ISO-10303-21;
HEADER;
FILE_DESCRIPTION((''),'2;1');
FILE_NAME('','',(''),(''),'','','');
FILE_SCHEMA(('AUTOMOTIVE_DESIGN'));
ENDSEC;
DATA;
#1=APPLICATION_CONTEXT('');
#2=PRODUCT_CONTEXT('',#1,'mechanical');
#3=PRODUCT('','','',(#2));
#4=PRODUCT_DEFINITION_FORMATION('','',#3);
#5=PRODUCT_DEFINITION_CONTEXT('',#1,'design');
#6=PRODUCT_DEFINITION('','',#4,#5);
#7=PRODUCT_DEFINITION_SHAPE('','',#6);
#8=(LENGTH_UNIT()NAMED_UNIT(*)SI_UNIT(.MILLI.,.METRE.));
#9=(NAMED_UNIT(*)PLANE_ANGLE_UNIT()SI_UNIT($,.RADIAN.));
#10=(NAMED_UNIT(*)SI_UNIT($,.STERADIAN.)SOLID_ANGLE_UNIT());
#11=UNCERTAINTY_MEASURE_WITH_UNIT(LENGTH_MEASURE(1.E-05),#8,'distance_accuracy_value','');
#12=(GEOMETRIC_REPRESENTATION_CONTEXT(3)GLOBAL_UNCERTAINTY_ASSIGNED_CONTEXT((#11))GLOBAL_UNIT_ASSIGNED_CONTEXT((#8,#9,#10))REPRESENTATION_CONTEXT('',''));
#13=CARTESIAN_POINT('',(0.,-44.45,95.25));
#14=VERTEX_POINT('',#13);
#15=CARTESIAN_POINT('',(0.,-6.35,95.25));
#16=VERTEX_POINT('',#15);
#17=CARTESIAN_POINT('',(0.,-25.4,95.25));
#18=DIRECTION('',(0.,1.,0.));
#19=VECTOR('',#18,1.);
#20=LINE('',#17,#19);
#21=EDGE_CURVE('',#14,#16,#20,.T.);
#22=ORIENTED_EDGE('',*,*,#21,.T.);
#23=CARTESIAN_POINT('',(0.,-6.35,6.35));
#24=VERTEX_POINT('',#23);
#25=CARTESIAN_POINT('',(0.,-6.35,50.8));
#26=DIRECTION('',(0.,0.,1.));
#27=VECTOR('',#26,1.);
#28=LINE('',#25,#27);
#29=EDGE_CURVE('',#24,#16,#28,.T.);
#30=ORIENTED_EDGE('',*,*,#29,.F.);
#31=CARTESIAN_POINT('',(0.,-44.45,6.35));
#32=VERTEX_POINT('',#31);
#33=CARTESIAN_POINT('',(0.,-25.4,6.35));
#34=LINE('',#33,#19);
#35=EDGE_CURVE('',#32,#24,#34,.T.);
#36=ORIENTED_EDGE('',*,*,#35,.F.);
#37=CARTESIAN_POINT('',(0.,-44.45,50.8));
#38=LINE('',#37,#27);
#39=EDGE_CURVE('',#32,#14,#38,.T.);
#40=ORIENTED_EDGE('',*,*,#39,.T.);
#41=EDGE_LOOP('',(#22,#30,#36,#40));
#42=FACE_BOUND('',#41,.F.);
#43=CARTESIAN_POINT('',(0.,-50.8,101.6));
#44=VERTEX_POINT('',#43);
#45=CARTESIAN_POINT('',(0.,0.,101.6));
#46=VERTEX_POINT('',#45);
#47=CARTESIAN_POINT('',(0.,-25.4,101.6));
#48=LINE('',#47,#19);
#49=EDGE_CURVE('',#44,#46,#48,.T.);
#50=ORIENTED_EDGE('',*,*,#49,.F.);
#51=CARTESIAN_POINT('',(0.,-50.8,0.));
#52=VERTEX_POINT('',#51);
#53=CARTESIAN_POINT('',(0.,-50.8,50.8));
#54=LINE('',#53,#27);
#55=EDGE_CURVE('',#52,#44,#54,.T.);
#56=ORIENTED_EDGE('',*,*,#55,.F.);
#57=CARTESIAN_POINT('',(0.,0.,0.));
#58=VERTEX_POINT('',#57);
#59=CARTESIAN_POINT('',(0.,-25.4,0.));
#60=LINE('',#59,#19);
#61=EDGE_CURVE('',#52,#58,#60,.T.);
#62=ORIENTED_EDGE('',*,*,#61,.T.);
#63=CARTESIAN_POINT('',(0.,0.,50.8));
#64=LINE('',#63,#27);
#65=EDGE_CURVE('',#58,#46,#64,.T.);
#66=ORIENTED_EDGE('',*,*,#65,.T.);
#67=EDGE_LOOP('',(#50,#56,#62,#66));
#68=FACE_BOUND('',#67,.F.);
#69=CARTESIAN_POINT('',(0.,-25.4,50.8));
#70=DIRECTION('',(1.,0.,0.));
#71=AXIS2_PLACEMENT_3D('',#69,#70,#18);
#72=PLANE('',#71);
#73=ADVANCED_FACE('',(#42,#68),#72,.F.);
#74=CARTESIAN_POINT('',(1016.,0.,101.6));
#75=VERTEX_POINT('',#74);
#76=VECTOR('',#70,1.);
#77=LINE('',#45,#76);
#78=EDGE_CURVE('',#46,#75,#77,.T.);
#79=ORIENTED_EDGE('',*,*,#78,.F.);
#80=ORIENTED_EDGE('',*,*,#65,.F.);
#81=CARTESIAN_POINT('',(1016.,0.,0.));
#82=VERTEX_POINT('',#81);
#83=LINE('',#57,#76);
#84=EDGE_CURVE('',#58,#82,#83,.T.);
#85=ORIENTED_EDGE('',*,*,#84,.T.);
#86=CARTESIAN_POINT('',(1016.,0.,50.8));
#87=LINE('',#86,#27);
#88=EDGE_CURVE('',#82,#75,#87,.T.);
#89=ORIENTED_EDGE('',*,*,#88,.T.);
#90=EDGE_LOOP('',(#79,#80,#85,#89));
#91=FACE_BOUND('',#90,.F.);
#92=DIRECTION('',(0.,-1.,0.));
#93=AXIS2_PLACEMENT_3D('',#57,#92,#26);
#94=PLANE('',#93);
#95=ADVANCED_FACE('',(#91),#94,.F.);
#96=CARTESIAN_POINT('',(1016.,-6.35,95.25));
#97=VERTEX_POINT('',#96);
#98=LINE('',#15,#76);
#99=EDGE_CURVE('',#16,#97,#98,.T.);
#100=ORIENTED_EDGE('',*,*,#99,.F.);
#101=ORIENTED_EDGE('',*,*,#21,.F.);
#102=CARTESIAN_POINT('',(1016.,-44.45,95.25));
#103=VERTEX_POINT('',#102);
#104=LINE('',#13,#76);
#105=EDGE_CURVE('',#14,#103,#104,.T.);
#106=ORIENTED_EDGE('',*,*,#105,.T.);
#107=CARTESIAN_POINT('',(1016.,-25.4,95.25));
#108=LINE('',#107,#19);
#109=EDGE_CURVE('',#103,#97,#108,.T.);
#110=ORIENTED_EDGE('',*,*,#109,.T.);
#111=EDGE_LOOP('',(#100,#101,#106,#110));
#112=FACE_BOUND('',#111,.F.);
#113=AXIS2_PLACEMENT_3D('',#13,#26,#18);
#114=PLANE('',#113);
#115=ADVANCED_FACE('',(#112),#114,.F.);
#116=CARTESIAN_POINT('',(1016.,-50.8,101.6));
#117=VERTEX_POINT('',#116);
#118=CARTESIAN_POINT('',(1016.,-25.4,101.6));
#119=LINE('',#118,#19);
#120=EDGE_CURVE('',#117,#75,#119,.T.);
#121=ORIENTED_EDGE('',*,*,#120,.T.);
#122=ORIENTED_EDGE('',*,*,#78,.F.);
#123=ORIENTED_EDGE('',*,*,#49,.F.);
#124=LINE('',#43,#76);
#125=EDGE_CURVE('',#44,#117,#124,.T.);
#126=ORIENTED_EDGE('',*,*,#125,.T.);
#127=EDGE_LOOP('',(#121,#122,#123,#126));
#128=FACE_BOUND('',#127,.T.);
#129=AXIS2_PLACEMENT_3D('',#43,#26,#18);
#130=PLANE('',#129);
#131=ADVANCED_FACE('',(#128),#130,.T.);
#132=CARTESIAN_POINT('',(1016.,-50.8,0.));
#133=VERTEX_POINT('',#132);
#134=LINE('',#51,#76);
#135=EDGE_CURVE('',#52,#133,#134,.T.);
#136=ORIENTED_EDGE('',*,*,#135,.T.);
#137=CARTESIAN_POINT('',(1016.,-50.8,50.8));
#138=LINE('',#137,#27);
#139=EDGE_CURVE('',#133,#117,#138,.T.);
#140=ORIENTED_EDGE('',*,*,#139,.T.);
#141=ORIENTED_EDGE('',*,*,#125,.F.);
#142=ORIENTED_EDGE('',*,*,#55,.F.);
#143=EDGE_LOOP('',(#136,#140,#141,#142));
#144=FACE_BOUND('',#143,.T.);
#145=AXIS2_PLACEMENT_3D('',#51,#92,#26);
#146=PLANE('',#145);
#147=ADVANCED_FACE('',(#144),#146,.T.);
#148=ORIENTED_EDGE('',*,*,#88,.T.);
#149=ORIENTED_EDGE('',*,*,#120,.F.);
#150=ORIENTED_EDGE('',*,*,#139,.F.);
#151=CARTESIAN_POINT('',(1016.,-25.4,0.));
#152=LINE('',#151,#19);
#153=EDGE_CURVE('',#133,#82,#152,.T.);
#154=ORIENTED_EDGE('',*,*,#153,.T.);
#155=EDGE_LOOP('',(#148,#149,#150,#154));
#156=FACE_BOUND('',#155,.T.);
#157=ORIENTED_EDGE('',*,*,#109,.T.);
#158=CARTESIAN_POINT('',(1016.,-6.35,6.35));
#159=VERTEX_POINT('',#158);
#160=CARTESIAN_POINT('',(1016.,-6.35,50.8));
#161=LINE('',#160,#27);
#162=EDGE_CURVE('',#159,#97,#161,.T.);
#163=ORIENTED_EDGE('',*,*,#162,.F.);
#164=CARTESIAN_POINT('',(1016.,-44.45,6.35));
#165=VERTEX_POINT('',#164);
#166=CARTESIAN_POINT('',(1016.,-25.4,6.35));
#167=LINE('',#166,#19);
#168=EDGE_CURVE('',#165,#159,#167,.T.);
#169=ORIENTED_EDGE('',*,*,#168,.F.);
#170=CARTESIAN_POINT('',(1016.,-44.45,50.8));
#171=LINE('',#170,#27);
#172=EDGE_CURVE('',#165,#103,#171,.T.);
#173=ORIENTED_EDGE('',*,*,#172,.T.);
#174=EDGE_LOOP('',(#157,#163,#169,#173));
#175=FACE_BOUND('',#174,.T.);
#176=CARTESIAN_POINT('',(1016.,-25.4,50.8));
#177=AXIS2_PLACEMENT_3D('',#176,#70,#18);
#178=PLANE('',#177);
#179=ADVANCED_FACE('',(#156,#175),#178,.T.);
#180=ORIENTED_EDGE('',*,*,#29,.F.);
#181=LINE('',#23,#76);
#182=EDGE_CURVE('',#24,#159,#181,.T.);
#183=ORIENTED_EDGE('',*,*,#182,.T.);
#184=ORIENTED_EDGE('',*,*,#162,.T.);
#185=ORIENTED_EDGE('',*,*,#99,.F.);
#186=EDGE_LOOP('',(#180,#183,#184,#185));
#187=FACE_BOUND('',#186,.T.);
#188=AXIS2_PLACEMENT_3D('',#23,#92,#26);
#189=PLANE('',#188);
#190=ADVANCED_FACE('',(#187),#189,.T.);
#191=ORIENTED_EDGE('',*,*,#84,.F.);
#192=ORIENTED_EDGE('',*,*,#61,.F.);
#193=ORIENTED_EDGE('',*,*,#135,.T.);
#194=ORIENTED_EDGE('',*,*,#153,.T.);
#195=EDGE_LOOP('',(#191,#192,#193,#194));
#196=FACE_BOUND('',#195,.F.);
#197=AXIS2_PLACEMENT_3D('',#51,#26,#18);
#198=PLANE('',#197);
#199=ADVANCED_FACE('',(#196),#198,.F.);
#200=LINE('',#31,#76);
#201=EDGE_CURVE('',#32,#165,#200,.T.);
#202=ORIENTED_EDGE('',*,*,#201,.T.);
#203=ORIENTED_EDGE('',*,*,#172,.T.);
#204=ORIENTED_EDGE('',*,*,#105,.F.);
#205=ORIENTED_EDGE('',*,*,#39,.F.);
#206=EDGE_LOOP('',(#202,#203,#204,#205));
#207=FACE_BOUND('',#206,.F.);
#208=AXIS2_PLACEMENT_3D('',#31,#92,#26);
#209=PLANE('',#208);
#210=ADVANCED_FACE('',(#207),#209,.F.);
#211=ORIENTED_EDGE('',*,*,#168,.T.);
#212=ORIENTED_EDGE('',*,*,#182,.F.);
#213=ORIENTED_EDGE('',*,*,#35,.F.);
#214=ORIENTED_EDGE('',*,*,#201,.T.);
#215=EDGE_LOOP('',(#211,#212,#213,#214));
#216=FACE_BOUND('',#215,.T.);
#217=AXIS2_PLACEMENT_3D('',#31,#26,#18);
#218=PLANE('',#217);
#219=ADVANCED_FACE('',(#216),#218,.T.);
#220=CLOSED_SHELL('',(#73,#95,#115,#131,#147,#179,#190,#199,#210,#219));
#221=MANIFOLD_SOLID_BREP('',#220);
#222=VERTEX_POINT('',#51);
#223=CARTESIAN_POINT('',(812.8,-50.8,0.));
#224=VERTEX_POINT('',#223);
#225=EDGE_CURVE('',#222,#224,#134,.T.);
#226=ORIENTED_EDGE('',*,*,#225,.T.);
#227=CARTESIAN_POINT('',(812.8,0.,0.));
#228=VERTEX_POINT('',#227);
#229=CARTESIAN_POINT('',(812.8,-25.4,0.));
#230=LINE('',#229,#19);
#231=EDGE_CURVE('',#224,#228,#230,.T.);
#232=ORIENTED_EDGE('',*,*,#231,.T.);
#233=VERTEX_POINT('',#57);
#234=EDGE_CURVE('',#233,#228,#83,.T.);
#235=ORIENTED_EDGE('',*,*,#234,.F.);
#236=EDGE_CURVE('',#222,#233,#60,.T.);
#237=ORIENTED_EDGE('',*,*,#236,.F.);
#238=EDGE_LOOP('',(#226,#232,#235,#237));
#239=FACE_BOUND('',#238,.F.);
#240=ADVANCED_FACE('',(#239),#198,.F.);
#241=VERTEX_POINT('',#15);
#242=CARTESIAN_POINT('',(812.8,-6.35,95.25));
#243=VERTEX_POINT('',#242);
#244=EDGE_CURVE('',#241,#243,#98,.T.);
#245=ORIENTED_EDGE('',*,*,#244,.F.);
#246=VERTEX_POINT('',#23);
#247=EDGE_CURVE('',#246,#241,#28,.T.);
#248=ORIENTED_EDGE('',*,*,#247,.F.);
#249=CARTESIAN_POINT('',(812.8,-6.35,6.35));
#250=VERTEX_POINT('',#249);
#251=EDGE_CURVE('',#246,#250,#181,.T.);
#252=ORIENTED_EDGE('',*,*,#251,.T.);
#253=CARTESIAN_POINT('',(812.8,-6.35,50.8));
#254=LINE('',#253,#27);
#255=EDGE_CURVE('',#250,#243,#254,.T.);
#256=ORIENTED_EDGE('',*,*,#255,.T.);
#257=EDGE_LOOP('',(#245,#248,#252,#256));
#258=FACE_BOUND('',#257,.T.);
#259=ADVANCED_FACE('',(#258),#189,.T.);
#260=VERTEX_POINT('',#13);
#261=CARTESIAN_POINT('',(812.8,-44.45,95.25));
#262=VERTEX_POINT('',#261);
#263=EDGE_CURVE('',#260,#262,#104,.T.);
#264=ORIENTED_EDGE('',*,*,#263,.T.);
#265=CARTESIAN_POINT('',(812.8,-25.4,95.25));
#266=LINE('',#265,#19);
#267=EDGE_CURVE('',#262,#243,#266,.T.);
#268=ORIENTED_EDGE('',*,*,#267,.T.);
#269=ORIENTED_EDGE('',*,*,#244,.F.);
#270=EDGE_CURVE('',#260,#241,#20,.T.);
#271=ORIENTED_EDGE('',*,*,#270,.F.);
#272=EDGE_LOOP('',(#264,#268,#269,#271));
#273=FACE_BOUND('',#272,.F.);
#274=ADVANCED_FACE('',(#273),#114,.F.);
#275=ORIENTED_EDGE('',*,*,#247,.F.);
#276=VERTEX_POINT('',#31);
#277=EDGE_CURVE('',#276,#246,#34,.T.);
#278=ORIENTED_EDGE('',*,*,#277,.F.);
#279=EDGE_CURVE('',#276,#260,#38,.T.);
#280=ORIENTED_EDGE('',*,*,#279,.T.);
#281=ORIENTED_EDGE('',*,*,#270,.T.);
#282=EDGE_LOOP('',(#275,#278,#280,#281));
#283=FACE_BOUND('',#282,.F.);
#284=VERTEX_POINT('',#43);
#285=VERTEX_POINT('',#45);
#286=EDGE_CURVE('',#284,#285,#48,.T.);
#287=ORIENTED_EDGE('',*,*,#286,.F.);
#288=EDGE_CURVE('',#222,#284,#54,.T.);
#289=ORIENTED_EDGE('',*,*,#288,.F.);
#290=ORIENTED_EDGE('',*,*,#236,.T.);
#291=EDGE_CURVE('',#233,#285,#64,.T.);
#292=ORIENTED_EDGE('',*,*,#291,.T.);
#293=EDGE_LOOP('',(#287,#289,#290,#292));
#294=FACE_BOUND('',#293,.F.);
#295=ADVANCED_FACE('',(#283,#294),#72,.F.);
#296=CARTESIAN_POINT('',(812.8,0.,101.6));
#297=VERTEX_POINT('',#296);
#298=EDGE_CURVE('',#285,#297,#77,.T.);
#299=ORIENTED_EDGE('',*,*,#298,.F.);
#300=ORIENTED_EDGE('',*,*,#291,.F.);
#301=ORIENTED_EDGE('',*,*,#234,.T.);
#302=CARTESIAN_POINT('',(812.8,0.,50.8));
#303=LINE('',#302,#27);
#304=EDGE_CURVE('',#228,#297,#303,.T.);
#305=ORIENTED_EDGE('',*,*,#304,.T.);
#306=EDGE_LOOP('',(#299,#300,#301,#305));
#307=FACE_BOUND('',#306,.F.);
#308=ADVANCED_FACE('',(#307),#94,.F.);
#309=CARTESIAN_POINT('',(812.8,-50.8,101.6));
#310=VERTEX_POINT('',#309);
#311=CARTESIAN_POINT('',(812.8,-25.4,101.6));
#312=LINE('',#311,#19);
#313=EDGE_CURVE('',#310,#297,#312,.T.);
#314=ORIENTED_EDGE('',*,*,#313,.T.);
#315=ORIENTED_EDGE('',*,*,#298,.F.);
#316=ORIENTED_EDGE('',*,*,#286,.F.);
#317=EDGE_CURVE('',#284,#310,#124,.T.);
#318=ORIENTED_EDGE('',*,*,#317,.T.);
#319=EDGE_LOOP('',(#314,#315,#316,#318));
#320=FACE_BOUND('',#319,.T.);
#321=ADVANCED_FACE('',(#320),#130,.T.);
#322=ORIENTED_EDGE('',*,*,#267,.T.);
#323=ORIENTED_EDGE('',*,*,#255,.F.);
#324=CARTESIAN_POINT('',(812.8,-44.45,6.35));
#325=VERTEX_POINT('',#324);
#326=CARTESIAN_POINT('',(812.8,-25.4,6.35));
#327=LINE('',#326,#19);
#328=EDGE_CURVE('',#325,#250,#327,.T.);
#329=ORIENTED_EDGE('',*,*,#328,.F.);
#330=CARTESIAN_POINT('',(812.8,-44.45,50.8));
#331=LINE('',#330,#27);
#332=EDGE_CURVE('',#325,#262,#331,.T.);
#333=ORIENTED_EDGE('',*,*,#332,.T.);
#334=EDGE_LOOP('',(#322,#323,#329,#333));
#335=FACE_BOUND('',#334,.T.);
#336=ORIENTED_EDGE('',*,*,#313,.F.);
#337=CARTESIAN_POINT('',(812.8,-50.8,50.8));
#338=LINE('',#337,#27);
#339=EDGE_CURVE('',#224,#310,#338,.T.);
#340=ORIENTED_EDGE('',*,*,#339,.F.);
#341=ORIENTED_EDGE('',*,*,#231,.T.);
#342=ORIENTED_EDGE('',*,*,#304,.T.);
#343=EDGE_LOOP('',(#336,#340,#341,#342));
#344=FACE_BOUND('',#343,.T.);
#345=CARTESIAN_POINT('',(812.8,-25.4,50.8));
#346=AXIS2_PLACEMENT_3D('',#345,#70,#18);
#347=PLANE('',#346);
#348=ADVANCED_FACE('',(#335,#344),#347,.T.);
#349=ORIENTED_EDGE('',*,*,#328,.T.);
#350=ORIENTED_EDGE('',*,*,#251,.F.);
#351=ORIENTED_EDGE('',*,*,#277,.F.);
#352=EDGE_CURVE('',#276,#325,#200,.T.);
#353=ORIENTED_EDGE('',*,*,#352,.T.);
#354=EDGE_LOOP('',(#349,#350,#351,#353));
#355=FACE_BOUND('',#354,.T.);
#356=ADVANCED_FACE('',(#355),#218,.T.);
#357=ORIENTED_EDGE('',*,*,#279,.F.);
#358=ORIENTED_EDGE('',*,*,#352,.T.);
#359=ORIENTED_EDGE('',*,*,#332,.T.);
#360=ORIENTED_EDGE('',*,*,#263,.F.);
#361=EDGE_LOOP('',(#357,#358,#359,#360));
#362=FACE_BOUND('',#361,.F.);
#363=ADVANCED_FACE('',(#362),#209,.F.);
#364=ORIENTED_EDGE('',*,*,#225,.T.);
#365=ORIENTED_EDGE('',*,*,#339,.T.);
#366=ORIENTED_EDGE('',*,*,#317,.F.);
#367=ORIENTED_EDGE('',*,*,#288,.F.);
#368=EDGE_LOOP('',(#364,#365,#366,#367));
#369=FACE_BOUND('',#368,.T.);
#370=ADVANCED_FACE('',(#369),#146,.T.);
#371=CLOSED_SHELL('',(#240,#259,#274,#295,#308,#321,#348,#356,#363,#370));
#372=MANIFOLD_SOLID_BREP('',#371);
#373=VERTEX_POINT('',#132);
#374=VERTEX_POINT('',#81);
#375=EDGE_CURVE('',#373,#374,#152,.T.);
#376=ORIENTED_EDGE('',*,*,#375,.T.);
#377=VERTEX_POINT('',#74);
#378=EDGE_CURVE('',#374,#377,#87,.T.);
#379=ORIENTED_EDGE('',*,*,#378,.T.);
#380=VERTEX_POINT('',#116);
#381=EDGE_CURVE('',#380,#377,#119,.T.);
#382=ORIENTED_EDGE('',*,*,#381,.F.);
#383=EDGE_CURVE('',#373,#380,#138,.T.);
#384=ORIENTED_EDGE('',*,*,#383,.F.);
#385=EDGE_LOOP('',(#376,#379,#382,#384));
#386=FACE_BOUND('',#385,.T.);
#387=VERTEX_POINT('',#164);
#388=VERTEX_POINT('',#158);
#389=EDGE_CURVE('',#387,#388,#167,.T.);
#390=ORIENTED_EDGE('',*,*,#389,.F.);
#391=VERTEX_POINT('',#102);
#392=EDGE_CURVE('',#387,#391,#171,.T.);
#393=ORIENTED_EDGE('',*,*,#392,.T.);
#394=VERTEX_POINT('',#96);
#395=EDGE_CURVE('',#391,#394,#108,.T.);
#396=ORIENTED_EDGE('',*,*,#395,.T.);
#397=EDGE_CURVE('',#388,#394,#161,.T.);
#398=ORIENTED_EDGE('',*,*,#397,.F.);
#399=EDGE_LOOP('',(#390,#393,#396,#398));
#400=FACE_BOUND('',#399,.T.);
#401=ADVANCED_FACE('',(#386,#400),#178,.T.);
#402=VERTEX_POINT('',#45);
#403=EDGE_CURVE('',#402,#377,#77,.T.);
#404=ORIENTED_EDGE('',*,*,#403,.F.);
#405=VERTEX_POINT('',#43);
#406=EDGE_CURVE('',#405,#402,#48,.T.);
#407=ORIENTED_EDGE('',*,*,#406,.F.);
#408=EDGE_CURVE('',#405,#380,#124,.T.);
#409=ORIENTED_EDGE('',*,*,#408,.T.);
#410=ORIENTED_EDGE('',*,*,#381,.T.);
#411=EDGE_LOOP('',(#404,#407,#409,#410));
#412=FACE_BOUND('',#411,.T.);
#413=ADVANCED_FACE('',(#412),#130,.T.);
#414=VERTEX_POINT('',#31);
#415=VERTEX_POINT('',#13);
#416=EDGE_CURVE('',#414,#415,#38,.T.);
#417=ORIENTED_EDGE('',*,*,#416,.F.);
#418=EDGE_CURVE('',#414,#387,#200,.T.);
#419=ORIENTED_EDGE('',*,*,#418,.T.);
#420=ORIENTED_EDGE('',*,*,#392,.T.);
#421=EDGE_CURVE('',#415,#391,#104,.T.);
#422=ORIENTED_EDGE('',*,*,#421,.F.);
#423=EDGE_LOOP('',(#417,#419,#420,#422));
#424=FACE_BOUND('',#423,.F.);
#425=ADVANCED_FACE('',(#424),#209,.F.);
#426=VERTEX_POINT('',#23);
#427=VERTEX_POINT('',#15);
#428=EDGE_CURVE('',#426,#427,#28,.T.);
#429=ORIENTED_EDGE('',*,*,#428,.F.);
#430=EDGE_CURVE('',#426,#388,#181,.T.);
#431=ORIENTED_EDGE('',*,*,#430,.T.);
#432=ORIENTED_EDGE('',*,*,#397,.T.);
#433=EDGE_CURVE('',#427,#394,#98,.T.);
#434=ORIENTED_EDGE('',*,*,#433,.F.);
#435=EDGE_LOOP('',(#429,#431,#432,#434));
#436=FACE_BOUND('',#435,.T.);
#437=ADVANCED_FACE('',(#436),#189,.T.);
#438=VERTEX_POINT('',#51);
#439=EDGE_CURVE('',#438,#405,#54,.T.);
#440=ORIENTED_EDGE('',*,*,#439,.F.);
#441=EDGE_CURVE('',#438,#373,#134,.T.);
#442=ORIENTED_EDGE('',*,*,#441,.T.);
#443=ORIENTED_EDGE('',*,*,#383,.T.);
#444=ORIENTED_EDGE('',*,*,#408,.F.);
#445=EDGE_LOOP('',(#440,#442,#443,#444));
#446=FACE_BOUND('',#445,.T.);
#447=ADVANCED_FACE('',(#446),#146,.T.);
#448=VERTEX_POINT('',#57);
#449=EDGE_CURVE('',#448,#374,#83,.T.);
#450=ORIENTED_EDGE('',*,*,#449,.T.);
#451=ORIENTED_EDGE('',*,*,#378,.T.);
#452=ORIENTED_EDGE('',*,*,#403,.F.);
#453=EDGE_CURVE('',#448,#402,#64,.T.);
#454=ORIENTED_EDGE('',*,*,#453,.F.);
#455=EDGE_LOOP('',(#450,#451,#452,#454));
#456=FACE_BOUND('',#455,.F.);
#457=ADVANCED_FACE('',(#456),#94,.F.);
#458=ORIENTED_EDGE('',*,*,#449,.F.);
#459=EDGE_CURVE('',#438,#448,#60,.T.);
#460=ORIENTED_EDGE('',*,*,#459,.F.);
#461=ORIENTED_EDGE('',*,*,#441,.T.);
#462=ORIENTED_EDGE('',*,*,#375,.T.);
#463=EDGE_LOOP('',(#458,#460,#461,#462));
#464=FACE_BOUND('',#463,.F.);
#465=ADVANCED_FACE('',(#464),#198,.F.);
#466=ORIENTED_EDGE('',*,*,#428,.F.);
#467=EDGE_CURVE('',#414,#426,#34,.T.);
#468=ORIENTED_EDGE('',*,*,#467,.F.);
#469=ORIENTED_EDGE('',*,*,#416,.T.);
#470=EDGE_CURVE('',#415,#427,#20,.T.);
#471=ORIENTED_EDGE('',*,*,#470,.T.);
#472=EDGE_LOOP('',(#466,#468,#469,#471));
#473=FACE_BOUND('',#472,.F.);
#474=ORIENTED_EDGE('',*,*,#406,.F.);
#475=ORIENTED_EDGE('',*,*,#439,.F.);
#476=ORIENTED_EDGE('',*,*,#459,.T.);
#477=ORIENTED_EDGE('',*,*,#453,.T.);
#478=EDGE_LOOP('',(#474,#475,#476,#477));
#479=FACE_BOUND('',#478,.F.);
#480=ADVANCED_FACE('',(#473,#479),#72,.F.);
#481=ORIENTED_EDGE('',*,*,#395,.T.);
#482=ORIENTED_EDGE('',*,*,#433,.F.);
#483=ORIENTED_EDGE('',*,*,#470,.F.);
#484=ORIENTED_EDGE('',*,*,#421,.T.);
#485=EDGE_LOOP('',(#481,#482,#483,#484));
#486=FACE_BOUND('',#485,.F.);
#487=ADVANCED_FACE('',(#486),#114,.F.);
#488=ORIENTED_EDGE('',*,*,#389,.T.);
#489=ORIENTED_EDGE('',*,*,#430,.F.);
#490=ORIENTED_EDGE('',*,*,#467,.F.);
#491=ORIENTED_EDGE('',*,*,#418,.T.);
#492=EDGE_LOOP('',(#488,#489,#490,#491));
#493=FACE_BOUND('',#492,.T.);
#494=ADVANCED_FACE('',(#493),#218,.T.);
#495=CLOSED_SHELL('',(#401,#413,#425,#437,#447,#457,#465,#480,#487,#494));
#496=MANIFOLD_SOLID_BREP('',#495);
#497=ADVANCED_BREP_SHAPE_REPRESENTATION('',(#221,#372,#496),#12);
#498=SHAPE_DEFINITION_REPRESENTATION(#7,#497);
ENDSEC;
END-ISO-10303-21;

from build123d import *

# Parameters (mm, degrees)
F0_W     = 50.8
F0_H     = 101.6
F0_W_2   = 38.1
F0_H_2   = 88.9
F1_DEPTH = 812.8
F2_DEPTH = 1016
F3_DEPTH = 1016


with BuildPart() as f1:
    # F0 (on Right) → F1 (new body)
    with BuildSketch(Plane.YZ):
        with Locations((-25.4, 50.8)):
            Rectangle(F0_W, F0_H)
        with Locations((-25.4, 50.8)):
            Rectangle(F0_W_2, F0_H_2, mode=Mode.SUBTRACT)
    extrude(amount=F1_DEPTH)


with BuildPart() as f2:
    # F0 (on Right) → F2 (new body)
    with BuildSketch(Plane.YZ):
        with Locations((-25.4, 50.8)):
            Rectangle(F0_W, F0_H)
        with Locations((-25.4, 50.8)):
            Rectangle(F0_W_2, F0_H_2, mode=Mode.SUBTRACT)
    extrude(amount=F2_DEPTH)


with BuildPart() as f3:
    # F0 (on Right) → F3 (new body)
    with BuildSketch(Plane.YZ):
        with Locations((-25.4, 50.8)):
            Rectangle(F0_W, F0_H)
        with Locations((-25.4, 50.8)):
            Rectangle(F0_W_2, F0_H_2, mode=Mode.SUBTRACT)
    extrude(amount=F3_DEPTH)


solid = Compound([f1.part, f2.part, f3.part])
